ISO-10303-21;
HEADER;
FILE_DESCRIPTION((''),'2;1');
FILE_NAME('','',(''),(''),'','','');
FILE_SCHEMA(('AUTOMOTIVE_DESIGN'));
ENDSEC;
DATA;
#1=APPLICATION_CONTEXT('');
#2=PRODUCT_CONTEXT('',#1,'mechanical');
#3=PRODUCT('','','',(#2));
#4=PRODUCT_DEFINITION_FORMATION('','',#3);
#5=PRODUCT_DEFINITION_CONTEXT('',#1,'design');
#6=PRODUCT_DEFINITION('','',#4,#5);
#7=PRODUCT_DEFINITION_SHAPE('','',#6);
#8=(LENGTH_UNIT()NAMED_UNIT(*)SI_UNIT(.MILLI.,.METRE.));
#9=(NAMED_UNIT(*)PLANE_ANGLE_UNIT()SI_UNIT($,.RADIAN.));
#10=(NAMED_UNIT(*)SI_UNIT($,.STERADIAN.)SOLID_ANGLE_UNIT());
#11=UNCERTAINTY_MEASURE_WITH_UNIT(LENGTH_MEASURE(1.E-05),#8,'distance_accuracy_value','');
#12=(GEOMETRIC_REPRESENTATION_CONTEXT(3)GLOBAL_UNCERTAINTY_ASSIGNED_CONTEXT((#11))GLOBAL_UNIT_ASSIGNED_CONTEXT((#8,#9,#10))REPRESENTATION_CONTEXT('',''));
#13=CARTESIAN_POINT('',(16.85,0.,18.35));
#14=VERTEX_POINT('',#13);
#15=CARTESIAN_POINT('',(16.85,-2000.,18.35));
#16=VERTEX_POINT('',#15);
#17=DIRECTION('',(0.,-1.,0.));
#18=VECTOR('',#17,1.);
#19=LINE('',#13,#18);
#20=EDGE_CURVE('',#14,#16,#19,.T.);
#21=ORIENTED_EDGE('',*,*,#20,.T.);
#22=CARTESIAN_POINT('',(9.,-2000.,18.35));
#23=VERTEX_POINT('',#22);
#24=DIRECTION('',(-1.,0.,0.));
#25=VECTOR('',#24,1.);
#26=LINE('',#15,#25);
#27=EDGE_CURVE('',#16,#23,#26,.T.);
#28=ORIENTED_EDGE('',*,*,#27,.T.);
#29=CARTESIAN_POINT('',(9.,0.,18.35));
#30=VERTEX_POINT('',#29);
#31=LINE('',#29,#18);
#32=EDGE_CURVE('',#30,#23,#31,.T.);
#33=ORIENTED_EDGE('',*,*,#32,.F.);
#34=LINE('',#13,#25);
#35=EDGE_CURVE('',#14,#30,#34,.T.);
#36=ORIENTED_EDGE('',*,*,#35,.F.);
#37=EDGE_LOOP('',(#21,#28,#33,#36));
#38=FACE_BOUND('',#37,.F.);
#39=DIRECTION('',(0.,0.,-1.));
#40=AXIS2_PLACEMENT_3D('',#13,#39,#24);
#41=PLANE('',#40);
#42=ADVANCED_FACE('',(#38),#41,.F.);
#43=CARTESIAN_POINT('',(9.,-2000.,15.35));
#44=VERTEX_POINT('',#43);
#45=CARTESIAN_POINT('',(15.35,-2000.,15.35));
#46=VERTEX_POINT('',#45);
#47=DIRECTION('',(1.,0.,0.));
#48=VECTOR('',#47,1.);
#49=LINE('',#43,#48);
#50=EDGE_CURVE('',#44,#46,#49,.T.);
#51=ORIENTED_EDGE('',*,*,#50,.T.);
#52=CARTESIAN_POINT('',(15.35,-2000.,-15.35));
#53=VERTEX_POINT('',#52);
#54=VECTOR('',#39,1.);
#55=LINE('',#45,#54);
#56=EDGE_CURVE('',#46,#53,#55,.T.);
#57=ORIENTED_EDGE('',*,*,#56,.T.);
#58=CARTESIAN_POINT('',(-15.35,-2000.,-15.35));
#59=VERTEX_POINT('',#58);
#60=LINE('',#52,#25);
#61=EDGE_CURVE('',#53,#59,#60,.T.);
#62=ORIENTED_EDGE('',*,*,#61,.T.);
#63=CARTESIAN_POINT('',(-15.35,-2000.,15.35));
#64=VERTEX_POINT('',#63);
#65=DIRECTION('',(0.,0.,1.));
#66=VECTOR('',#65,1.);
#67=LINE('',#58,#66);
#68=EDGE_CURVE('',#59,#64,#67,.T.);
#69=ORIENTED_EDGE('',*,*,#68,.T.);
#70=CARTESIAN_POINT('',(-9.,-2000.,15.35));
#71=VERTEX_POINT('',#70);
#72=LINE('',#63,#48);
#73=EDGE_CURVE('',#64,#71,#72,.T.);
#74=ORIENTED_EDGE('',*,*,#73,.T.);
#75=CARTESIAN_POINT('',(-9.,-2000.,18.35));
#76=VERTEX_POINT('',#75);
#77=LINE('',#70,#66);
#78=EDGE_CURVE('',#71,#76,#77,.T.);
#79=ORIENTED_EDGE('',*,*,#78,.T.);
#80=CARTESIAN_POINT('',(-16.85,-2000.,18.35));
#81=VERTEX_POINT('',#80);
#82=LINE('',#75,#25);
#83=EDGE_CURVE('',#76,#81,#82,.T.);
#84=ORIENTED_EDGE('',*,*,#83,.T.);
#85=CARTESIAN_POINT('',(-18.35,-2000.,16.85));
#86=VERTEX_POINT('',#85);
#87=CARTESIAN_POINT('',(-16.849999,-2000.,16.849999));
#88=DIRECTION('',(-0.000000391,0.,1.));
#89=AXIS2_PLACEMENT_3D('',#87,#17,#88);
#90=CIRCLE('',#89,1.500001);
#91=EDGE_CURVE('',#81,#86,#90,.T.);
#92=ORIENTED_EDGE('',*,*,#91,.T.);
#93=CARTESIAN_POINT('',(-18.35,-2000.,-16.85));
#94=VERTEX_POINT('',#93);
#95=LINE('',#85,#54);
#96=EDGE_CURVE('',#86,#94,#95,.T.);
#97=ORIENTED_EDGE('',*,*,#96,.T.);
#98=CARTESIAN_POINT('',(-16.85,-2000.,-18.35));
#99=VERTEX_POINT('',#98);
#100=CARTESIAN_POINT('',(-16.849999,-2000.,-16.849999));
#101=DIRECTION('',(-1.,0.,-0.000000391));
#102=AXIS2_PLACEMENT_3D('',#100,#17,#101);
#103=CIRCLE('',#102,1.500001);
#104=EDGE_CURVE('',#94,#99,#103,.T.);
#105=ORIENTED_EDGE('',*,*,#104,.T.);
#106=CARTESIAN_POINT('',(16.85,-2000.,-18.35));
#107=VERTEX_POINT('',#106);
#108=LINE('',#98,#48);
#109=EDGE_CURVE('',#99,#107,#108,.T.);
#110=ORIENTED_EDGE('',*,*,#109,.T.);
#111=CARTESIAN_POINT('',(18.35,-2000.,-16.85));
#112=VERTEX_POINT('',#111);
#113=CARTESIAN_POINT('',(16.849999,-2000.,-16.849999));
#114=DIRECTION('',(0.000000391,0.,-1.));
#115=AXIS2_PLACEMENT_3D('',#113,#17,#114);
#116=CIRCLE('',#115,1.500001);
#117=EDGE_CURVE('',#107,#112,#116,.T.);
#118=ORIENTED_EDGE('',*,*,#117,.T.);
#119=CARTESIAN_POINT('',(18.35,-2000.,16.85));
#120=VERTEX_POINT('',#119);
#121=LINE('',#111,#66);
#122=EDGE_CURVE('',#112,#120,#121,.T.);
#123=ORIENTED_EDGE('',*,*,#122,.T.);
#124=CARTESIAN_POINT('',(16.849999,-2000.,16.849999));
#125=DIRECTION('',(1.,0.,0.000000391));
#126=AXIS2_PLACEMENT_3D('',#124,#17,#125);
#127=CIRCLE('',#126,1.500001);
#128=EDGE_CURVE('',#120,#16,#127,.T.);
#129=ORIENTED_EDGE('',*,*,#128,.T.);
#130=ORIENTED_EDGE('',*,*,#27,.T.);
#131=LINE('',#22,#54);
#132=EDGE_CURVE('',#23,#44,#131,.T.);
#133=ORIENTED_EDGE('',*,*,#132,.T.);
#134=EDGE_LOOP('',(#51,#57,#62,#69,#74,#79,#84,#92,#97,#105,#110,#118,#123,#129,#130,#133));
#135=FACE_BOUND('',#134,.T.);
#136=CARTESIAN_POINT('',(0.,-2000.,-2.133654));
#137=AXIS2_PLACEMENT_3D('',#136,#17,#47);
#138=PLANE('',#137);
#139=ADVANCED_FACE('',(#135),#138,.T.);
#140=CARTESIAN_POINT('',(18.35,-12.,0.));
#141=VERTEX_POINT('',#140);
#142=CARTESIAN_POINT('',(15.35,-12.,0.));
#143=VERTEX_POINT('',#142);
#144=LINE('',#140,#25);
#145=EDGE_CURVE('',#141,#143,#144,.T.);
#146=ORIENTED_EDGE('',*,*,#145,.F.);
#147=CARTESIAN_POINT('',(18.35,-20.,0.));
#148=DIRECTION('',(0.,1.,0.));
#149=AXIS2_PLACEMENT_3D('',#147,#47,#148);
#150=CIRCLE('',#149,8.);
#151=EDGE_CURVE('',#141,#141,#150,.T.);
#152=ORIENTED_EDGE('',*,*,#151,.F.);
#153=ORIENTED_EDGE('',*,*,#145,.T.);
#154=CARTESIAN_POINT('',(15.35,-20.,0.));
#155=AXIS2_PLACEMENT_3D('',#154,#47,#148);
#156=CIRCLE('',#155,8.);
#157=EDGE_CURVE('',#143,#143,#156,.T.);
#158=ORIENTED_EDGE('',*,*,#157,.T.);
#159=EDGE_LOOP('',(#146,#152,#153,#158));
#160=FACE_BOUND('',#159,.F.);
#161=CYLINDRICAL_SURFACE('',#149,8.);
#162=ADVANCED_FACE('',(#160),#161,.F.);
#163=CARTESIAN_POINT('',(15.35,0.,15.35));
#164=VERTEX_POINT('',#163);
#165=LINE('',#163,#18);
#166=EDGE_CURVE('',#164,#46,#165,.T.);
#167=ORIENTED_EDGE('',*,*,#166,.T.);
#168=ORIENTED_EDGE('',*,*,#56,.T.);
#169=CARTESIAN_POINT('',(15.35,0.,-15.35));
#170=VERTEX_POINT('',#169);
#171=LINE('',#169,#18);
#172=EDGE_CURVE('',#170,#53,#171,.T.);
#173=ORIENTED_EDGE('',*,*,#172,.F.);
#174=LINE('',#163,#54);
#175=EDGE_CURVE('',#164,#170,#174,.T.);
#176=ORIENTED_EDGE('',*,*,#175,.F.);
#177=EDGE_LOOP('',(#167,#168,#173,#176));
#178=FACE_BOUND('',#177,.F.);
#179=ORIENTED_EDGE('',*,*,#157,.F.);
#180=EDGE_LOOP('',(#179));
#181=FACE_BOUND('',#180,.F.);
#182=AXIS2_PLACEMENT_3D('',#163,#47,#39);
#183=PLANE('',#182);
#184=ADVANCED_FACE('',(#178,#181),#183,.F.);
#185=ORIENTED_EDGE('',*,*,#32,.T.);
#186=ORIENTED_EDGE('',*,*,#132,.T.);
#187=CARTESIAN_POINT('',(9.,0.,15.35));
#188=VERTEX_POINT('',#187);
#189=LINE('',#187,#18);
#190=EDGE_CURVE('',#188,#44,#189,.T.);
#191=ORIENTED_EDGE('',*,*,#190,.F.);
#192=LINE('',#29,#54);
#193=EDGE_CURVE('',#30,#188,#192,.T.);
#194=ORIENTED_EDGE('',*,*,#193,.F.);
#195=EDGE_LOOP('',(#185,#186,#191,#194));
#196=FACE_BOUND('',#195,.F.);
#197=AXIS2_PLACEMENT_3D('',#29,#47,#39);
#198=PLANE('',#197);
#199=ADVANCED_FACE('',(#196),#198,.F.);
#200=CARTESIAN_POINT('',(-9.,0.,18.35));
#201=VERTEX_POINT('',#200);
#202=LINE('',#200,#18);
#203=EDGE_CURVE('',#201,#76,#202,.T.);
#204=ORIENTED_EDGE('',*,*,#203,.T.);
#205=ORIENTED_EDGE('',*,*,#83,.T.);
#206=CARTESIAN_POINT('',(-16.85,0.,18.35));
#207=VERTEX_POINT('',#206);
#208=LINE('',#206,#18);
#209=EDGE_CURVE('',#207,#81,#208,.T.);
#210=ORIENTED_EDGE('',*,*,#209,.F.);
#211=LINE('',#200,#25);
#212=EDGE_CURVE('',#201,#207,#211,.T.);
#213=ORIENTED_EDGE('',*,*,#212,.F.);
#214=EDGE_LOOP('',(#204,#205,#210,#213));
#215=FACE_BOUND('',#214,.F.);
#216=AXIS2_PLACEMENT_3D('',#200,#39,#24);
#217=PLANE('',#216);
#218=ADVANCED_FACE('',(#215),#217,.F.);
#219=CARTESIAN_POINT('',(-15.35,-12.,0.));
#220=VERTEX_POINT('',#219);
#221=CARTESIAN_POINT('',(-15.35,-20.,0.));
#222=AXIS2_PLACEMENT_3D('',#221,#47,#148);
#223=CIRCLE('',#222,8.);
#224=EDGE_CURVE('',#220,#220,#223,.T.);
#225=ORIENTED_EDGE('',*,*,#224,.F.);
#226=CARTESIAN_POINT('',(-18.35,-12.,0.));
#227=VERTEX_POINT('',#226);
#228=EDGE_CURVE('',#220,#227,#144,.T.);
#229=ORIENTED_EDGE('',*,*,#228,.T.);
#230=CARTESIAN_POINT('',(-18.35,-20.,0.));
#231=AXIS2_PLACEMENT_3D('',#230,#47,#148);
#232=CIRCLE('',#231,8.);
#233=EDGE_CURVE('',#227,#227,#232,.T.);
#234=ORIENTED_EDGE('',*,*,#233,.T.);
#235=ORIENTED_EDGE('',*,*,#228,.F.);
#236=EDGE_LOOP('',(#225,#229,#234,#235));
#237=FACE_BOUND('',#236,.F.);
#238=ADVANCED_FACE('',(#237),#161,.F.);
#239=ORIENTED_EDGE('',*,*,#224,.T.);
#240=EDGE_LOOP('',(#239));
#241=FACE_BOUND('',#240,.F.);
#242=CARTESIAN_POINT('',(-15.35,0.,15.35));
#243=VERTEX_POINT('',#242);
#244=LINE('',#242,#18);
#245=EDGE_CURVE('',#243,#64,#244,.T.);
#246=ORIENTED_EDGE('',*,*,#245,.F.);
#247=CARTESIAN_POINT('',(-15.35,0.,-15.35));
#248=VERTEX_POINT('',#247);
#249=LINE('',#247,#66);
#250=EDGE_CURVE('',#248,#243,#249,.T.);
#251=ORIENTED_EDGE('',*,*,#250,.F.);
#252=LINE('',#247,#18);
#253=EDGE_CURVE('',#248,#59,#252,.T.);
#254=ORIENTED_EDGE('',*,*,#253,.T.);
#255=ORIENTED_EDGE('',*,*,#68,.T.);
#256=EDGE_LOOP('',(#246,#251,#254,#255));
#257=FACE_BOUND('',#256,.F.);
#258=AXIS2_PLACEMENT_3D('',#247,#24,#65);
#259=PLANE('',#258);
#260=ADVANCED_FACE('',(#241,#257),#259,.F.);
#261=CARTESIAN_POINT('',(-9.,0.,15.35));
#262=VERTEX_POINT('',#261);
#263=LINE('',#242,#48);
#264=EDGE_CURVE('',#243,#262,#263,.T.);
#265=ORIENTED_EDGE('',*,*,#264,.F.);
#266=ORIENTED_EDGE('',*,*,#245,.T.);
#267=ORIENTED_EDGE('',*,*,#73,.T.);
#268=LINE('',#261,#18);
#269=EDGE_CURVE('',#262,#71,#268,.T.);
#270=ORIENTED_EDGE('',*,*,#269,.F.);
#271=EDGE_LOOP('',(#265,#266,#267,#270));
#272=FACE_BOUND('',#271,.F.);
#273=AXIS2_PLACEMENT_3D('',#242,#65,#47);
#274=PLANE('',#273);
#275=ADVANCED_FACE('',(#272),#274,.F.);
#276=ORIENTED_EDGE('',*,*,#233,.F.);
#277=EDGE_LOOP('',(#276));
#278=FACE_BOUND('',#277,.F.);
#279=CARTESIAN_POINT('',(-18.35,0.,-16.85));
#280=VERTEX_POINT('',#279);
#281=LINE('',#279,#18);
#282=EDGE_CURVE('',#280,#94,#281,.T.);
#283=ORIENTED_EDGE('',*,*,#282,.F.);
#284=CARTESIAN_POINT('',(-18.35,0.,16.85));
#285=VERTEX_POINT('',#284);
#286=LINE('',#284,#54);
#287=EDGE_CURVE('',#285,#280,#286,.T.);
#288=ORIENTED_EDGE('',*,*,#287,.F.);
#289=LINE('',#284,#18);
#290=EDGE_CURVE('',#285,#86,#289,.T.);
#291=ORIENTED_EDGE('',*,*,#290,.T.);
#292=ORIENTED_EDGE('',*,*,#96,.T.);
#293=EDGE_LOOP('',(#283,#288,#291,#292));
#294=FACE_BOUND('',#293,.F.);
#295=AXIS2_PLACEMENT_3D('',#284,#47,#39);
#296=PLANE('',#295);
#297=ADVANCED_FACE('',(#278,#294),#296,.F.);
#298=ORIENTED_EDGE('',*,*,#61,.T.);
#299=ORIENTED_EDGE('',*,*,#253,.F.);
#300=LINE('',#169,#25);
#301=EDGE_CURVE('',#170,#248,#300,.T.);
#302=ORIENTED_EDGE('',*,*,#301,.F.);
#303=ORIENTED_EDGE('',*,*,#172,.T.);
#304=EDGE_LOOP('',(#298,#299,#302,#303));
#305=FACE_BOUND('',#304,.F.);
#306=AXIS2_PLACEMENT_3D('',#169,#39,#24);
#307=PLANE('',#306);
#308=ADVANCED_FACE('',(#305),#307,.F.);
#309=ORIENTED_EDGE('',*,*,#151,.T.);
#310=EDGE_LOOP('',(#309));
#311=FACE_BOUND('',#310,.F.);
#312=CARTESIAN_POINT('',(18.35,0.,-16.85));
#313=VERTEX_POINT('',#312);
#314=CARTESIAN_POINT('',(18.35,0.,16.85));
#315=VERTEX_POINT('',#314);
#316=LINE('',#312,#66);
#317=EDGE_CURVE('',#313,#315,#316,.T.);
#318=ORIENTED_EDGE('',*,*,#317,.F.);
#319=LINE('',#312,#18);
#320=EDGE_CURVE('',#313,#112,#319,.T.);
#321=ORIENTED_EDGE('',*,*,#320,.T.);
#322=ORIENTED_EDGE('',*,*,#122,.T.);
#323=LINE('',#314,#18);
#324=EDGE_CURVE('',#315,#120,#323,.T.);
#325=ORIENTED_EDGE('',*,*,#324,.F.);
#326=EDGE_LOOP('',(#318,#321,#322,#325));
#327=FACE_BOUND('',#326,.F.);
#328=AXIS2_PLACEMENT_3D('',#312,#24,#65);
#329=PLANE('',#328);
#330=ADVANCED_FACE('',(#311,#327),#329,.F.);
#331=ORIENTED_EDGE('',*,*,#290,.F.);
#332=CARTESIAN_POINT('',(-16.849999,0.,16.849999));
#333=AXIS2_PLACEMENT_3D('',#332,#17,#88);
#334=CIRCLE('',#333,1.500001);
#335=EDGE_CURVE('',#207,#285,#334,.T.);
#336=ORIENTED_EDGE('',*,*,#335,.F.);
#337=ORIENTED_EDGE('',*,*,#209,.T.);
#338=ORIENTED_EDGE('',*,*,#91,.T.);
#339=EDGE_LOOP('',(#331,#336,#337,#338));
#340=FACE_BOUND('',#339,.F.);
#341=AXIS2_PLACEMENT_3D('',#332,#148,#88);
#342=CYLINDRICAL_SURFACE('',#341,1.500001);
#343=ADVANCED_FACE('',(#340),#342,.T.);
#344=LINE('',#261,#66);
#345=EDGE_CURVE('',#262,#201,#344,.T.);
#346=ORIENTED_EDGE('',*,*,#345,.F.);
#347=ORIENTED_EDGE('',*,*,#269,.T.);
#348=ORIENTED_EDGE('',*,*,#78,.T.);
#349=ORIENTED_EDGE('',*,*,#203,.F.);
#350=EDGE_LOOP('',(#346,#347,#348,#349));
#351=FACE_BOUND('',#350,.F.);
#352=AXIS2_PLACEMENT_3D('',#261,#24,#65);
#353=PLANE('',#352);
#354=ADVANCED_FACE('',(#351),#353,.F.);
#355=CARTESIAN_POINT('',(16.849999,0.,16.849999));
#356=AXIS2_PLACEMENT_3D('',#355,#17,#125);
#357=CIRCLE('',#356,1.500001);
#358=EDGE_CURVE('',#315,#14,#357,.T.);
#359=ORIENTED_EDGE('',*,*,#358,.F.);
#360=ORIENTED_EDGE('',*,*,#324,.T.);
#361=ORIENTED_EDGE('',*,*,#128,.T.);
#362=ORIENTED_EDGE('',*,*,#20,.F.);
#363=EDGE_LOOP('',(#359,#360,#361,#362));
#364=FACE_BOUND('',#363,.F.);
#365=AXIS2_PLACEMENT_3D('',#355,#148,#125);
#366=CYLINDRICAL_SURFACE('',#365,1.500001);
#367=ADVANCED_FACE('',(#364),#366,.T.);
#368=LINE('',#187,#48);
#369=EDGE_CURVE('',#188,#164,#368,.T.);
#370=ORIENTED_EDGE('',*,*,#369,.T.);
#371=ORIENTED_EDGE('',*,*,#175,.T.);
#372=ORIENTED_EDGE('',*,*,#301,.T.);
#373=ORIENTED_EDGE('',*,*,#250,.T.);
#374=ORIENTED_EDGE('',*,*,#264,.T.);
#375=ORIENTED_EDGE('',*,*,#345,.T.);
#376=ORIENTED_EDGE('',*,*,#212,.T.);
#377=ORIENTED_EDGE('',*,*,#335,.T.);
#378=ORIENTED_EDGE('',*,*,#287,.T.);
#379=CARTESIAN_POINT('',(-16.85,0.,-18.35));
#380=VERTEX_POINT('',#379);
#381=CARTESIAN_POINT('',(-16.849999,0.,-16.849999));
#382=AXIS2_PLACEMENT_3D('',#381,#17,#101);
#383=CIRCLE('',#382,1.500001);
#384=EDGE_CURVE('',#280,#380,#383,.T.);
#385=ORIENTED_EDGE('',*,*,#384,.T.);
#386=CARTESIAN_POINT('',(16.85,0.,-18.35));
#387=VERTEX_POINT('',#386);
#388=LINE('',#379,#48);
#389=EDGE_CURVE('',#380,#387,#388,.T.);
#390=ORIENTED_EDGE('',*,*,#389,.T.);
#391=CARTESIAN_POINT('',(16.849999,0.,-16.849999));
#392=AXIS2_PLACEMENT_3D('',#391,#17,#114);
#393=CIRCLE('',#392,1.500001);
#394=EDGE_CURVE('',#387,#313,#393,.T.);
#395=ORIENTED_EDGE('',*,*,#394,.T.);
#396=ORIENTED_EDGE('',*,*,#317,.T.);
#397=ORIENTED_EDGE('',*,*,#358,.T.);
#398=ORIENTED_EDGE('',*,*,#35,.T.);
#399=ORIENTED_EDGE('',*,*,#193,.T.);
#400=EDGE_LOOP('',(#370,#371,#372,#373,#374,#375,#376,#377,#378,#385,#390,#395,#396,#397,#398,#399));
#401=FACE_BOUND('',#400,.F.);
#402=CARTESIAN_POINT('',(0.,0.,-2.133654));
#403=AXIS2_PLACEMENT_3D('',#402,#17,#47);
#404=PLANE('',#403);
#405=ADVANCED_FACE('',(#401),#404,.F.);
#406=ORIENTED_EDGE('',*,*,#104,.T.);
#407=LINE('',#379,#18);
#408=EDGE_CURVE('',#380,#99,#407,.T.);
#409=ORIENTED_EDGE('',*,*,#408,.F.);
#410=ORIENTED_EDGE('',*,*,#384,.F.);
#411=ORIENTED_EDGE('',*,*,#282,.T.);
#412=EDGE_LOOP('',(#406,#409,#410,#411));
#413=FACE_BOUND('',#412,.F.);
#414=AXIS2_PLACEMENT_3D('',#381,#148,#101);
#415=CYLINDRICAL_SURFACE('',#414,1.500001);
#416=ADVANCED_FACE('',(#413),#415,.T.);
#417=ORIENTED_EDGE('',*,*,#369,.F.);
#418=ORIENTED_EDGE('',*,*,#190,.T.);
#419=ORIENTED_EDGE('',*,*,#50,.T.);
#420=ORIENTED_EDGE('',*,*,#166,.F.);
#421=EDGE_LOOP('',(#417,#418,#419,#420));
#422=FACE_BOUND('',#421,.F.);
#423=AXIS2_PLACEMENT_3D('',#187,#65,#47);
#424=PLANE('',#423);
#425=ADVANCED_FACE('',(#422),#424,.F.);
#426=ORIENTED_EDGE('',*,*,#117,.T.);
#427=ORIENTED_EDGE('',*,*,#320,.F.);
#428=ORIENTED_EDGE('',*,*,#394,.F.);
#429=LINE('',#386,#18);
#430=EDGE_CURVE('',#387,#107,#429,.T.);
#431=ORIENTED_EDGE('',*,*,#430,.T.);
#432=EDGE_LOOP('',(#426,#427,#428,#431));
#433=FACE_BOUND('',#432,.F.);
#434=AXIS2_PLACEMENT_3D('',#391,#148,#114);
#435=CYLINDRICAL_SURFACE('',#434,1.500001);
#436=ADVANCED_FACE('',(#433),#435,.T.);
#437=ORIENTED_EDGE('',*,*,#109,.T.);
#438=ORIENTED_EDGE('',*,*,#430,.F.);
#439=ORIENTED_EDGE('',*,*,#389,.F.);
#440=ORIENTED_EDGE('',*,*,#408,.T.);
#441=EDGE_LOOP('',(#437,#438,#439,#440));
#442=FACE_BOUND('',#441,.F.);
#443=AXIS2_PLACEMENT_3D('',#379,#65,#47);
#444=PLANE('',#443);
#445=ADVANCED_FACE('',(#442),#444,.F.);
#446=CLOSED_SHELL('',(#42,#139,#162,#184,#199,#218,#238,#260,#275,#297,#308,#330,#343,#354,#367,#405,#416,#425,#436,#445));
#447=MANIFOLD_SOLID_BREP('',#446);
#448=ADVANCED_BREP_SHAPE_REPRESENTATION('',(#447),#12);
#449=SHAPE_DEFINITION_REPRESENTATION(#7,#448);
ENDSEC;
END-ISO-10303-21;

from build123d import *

# Parameters (mm, degrees)
F1_DEPTH = 2000
F2_R     = 8
F3_DEPTH = 36.701


with BuildPart() as f1:
    # F0 (on Front) → F1 (new body)
    with BuildSketch(Plane.XZ):
        with BuildLine():
            Line((15.35, 15.35), (15.35, -15.35))
            Line((15.35, -15.35), (-15.35, -15.35))
            Line((-15.35, -15.35), (-15.35, 15.35))
            Line((-15.35, 15.35), (-9, 15.35))
            Line((-9, 15.35), (-9, 18.35))
            Line((-9, 18.35), (-16.85, 18.35))
            ThreePointArc((-16.85, 18.35), (-17.91066, 17.91066), (-18.35, 16.85))
            Line((-18.35, 16.85), (-18.35, -16.85))
            ThreePointArc((-18.35, -16.85), (-17.91066, -17.91066), (-16.85, -18.35))
            Line((-16.85, -18.35), (16.85, -18.35))
            ThreePointArc((16.85, -18.35), (17.91066, -17.91066), (18.35, -16.85))
            Line((18.35, -16.85), (18.35, 16.85))
            ThreePointArc((18.35, 16.85), (17.91066, 17.91066), (16.85, 18.35))
            Line((16.85, 18.35), (9, 18.35))
            Line((9, 18.35), (9, 15.35))
            Line((9, 15.35), (15.35, 15.35))
        make_face()
    extrude(amount=F1_DEPTH)

    # F2 (on face) → F3 (cut, through all)
    with BuildSketch(Plane.YZ.offset(18.35)):
        with Locations((-20, 0)):
            Circle(F2_R)
    extrude(amount=-F3_DEPTH, mode=Mode.SUBTRACT)


solid = f1.part
